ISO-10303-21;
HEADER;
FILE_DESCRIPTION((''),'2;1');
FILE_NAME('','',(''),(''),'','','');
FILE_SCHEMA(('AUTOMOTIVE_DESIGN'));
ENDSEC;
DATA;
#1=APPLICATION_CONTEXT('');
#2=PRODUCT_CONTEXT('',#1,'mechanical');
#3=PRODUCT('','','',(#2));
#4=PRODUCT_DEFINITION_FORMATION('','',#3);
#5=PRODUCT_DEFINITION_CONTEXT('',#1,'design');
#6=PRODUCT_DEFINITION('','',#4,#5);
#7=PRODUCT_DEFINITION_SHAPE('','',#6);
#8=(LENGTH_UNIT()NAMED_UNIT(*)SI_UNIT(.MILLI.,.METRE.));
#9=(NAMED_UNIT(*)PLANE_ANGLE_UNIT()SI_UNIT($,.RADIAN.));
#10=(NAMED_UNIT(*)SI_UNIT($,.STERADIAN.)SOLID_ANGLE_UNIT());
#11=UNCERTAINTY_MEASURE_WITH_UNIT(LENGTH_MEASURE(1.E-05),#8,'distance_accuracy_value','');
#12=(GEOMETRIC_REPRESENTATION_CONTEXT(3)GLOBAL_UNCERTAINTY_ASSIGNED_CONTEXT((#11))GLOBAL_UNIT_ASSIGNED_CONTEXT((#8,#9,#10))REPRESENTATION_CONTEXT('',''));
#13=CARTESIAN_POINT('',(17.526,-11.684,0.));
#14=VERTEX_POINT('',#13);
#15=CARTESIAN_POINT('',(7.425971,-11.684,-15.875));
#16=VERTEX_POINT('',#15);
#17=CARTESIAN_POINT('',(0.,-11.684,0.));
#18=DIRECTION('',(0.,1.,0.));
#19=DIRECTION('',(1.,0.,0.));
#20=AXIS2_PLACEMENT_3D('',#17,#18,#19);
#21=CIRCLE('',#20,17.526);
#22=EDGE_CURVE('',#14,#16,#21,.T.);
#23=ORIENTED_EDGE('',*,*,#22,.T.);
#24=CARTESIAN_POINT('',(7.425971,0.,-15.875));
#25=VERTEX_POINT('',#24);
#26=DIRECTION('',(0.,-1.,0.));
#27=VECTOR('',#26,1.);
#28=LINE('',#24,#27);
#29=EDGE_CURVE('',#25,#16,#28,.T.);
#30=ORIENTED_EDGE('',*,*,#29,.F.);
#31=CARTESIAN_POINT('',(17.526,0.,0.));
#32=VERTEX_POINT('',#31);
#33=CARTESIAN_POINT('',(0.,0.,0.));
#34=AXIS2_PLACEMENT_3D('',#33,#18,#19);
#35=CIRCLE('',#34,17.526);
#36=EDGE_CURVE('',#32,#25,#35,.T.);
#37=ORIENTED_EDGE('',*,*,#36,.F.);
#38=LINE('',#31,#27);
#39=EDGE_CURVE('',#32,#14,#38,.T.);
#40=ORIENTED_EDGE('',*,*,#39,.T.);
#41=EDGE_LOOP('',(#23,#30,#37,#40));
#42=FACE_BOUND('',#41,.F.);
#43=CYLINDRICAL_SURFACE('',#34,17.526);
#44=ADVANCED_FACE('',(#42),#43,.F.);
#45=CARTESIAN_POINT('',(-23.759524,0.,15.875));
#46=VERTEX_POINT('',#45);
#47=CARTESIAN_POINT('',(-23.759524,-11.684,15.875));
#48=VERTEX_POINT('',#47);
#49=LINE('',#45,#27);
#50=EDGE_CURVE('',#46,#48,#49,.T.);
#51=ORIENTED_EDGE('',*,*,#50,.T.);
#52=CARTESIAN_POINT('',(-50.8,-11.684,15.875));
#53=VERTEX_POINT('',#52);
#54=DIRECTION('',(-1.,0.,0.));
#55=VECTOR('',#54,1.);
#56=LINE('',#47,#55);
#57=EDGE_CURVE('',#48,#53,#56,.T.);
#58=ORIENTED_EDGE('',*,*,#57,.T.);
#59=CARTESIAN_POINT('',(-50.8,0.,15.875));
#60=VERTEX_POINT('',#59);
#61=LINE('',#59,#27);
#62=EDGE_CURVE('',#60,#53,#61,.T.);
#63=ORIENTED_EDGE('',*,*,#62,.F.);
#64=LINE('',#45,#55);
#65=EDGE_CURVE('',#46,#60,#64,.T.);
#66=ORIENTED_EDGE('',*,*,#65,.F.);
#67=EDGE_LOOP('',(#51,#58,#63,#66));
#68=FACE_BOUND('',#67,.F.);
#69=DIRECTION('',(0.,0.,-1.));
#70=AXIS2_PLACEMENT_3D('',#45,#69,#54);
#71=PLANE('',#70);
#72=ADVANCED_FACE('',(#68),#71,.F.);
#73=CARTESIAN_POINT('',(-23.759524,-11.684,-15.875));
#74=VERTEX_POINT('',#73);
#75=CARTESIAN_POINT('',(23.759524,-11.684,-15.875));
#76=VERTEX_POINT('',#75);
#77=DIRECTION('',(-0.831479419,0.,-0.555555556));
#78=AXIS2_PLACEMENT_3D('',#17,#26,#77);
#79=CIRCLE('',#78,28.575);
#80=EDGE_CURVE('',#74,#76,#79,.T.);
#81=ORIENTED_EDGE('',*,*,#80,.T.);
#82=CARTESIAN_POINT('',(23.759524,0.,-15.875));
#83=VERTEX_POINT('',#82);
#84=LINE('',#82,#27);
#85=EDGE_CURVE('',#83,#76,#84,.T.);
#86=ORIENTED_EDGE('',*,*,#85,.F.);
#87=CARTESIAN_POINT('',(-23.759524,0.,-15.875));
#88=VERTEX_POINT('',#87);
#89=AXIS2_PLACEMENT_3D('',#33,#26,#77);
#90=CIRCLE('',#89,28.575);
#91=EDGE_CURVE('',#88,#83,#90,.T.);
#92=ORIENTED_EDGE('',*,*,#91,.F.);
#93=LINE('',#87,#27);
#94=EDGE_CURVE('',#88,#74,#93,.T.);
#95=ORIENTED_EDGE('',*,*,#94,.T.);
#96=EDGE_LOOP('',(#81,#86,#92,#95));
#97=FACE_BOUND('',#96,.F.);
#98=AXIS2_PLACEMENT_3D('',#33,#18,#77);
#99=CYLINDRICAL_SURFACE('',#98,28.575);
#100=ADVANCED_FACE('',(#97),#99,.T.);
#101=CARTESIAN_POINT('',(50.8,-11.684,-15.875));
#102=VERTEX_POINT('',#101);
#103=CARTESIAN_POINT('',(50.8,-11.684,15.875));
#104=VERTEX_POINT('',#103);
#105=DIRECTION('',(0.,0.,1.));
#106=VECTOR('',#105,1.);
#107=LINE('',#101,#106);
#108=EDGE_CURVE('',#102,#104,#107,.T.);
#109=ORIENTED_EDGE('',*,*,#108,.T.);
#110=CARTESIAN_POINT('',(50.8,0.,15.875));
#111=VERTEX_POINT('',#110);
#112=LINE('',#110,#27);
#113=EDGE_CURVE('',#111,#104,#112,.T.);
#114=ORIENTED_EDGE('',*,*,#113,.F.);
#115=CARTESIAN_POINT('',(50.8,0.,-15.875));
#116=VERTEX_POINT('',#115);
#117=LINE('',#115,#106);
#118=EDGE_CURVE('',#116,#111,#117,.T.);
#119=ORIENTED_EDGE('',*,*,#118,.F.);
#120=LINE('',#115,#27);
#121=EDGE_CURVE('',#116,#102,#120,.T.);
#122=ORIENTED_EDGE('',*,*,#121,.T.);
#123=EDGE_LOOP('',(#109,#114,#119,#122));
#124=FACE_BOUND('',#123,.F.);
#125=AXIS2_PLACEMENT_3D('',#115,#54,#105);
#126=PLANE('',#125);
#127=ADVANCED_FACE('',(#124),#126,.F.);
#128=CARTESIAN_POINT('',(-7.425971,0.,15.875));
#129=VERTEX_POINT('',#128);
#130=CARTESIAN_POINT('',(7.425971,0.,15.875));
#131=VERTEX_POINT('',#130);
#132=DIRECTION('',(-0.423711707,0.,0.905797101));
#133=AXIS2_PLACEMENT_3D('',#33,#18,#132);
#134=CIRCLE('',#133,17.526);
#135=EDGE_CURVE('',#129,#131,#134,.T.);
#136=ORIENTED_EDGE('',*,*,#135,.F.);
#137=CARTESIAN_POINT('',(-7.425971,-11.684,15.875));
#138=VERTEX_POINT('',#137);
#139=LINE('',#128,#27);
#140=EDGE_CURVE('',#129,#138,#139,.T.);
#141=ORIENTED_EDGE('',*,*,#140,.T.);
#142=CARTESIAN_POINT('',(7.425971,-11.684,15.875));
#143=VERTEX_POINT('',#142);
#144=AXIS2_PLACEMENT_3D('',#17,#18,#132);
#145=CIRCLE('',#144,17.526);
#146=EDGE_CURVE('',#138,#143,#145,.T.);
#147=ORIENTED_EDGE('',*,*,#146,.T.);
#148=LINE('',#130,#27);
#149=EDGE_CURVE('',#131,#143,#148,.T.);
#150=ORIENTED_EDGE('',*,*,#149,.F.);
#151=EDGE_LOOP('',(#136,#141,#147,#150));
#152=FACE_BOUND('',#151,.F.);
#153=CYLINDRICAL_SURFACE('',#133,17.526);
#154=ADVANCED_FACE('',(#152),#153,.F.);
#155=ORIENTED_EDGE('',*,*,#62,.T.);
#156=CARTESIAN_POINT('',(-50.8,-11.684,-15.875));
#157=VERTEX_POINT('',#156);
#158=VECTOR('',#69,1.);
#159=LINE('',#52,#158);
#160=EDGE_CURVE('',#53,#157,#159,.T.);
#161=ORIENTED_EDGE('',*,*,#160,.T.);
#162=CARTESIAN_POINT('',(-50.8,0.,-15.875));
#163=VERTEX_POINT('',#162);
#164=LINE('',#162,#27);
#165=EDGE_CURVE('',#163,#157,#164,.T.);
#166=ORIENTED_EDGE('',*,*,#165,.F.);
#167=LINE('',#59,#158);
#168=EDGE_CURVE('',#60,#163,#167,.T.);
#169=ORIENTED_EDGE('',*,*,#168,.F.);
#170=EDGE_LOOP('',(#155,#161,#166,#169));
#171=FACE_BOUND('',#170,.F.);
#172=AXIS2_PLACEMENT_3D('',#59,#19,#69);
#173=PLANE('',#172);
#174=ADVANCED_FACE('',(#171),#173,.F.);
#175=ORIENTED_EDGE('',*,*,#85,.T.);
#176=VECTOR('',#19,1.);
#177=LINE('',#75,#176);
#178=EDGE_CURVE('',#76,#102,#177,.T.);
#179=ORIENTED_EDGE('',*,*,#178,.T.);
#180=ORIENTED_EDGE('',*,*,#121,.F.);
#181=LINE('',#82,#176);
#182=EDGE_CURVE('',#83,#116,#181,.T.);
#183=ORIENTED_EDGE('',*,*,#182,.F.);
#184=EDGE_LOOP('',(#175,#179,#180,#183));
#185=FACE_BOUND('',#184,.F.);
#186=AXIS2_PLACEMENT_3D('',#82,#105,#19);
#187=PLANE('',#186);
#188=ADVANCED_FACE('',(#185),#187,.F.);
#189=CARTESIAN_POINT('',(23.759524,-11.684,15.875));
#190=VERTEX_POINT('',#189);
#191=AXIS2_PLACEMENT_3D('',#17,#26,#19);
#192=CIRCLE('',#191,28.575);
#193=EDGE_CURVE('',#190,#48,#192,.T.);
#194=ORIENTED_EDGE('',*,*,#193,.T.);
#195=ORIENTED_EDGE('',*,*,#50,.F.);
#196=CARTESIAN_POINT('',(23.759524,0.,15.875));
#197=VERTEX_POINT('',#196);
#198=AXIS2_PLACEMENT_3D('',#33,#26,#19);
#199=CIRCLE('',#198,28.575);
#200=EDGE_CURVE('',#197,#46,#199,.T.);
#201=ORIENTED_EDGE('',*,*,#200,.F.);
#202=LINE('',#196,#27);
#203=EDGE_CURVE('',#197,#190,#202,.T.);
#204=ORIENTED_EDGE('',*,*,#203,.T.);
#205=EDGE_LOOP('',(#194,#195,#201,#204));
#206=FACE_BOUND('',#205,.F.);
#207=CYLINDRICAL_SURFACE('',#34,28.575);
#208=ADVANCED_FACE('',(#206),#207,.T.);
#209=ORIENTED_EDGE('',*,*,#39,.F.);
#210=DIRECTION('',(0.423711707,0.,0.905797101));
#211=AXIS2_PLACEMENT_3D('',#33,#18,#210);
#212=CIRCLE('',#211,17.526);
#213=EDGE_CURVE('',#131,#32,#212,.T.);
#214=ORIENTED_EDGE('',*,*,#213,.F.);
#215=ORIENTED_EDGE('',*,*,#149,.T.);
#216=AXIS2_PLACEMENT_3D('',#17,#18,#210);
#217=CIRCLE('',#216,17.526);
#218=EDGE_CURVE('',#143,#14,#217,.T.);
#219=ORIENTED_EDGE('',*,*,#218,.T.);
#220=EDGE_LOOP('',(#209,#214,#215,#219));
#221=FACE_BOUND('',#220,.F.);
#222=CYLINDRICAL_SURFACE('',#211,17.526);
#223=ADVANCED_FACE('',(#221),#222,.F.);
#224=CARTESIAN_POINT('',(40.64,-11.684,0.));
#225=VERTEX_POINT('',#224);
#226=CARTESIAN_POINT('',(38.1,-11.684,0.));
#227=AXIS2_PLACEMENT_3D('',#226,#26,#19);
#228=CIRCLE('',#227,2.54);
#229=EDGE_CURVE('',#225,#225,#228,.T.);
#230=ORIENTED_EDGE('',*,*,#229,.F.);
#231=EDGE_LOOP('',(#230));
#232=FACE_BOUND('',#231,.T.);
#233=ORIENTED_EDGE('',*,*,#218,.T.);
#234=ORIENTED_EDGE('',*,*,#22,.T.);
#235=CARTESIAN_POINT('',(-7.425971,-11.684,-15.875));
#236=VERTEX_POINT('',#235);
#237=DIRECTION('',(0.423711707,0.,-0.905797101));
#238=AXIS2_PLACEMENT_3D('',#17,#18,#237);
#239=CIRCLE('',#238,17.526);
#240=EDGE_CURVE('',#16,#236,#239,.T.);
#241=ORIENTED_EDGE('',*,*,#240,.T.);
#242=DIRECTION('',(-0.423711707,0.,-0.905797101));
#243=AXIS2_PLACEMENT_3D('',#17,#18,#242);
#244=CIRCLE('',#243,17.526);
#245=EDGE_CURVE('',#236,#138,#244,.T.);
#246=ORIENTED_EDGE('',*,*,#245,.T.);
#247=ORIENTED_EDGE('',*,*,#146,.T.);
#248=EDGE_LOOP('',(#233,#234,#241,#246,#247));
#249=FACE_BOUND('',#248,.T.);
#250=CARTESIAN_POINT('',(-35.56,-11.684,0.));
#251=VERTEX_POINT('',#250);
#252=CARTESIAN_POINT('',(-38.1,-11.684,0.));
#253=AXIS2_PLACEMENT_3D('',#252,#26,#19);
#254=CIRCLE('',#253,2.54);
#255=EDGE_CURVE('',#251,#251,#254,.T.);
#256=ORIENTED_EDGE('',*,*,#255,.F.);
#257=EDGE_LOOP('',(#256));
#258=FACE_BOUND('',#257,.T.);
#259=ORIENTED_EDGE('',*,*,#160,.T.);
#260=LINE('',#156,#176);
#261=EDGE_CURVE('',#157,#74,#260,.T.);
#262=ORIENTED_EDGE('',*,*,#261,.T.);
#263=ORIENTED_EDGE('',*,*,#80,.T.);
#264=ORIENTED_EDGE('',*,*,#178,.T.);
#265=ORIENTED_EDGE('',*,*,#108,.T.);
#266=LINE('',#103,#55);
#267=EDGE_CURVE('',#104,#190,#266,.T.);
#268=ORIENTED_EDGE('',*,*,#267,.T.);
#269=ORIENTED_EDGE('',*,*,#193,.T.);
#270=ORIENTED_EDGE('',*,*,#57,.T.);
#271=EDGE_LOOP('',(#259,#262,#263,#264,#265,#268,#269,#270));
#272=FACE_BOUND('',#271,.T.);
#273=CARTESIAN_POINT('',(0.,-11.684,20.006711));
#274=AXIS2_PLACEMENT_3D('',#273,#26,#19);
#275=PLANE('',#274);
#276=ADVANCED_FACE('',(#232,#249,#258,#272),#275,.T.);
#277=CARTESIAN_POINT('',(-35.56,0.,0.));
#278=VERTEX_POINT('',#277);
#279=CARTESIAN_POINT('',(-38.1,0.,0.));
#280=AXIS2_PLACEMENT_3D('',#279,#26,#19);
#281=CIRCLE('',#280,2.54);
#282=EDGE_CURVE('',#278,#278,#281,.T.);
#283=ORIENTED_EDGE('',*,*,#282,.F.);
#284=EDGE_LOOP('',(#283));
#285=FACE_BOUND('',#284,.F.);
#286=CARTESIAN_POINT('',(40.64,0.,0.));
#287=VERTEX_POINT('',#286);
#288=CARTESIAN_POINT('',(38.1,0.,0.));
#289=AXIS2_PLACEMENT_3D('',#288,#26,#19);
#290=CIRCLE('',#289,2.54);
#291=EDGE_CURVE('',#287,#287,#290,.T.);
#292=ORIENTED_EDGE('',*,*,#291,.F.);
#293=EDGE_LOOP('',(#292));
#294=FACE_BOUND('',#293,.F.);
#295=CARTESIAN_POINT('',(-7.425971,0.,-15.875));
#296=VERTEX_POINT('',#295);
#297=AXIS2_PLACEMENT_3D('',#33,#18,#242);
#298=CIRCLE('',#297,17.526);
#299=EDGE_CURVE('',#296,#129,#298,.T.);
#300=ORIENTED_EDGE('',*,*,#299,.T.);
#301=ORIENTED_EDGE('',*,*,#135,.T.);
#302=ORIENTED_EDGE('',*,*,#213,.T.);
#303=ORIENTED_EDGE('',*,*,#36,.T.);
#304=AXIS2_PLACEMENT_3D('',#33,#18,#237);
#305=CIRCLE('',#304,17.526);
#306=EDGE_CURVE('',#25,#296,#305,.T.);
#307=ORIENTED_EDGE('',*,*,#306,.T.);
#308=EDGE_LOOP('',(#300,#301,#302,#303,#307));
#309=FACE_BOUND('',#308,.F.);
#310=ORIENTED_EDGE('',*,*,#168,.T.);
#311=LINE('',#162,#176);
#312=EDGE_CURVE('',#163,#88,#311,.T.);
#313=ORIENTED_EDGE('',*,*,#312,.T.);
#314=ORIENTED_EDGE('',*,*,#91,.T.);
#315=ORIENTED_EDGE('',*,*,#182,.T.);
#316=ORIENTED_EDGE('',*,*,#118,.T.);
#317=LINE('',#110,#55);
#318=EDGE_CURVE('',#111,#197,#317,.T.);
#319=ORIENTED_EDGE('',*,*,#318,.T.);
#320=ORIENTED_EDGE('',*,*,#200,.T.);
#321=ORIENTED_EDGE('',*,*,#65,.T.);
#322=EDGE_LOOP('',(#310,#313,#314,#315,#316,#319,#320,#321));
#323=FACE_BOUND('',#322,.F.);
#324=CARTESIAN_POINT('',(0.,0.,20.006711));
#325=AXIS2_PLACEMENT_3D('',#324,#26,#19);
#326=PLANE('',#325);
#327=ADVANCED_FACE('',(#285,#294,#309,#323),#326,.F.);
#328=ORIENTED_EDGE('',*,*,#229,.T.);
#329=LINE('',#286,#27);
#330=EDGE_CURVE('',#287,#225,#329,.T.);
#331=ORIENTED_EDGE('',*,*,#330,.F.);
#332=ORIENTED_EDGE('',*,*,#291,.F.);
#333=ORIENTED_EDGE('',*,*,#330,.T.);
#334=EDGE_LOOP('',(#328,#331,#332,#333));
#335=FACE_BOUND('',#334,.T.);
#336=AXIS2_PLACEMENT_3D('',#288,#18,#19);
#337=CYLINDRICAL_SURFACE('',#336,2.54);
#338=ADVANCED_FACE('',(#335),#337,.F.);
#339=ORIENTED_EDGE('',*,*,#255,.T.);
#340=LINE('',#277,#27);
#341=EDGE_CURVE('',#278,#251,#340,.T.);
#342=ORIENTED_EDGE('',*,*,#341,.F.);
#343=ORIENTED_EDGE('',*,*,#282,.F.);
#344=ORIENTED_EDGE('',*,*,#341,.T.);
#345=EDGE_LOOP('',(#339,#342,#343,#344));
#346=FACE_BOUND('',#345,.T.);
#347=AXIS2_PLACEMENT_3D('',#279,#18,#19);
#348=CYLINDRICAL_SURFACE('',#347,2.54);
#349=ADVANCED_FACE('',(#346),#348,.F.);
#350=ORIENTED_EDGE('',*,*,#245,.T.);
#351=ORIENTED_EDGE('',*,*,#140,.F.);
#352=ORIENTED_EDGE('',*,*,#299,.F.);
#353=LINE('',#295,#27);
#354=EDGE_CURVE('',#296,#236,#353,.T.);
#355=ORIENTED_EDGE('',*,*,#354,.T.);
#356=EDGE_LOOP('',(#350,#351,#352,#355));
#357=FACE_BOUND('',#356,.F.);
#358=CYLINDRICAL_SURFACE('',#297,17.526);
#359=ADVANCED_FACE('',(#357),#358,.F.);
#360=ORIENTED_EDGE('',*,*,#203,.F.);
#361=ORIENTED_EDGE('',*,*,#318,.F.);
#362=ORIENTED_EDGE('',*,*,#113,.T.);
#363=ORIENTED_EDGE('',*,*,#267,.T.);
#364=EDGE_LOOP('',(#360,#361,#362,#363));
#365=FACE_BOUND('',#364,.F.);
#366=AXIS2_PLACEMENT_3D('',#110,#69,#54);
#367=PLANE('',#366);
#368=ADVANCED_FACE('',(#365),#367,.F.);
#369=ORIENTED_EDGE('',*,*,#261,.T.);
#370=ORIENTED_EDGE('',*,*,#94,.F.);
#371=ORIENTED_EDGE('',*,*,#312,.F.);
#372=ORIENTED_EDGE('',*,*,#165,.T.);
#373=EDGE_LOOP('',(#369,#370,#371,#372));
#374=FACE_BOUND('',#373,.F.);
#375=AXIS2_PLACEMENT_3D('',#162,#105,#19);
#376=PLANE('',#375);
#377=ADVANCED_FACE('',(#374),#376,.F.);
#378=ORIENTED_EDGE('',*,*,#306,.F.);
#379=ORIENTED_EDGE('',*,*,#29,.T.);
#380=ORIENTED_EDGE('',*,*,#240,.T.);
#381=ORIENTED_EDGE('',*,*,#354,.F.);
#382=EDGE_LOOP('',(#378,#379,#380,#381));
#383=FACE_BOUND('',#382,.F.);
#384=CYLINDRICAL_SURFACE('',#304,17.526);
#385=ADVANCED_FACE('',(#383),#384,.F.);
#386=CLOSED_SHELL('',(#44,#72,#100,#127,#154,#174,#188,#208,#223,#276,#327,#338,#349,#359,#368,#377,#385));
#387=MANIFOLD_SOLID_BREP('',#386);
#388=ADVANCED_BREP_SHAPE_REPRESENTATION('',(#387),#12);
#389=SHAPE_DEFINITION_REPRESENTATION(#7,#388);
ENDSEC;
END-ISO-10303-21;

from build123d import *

# Parameters (mm, degrees)
F0_R     = 2.54
F1_DEPTH = 11.684


with BuildPart() as f1:
    # F0 (on Front) → F1 (new body)
    with BuildSketch(Plane.XZ):
        with BuildLine():
            ThreePointArc((-7.4259713843, 15.875), (0, 17.526), (7.4259713843, 15.875))
            Line((7.4259713843, 15.875), (23.759524406, 15.875))
            ThreePointArc((23.759524406, 15.875), (0, 28.575), (-23.759524406, 15.875))
            Line((-23.759524406, 15.875), (-7.4259713843, 15.875))
        make_face()
        with BuildLine():
            Line((23.759524406, -15.875), (7.4259713843, -15.875))
            ThreePointArc((7.4259713843, -15.875), (0, -17.526), (-7.4259713843, -15.875))
            Line((-7.4259713843, -15.875), (-23.759524406, -15.875))
            ThreePointArc((-23.759524406, -15.875), (0, -28.575), (23.759524406, -15.875))
        make_face()
        with BuildLine():
            ThreePointArc((-7.4259713843, -15.875), (-17.526, 0), (-7.4259713843, 15.875))
            Line((-7.4259713843, 15.875), (-23.759524406, 15.875))
            ThreePointArc((-23.759524406, 15.875), (-28.575, 0), (-23.759524406, -15.875))
            Line((-23.759524406, -15.875), (-7.4259713843, -15.875))
        make_face()
        with BuildLine():
            ThreePointArc((7.4259713843, 15.875), (14.7869579441, 9.4077920236), (17.526, 0))
            ThreePointArc((17.526, 0), (14.7869579441, -9.4077920236), (7.4259713843, -15.875))
            Line((7.4259713843, -15.875), (23.759524406, -15.875))
            ThreePointArc((23.759524406, -15.875), (27.3446433045, -8.2946433045), (28.575, 0))
            ThreePointArc((28.575, 0), (27.3446433045, 8.2946433045), (23.759524406, 15.875))
            Line((23.759524406, 15.875), (7.4259713843, 15.875))
        make_face()
        with BuildLine():
            Line((50.8, 15.875), (23.759524406, 15.875))
            ThreePointArc((23.759524406, 15.875), (27.3446433045, 8.2946433045), (28.575, 0))
            ThreePointArc((28.575, 0), (27.3446433045, -8.2946433045), (23.759524406, -15.875))
            Line((23.759524406, -15.875), (50.8, -15.875))
            Line((50.8, -15.875), (50.8, 15.875))
        make_face()
        with Locations((38.1, 0)):
            Circle(F0_R, mode=Mode.SUBTRACT)
        with BuildLine():
            ThreePointArc((-23.759524406, -15.875), (-28.575, 0), (-23.759524406, 15.875))
            Line((-23.759524406, 15.875), (-50.8, 15.875))
            Line((-50.8, 15.875), (-50.8, -15.875))
            Line((-50.8, -15.875), (-23.759524406, -15.875))
        make_face()
        with Locations((-38.1, 0)):
            Circle(F0_R, mode=Mode.SUBTRACT)
    extrude(amount=F1_DEPTH)


solid = f1.part
